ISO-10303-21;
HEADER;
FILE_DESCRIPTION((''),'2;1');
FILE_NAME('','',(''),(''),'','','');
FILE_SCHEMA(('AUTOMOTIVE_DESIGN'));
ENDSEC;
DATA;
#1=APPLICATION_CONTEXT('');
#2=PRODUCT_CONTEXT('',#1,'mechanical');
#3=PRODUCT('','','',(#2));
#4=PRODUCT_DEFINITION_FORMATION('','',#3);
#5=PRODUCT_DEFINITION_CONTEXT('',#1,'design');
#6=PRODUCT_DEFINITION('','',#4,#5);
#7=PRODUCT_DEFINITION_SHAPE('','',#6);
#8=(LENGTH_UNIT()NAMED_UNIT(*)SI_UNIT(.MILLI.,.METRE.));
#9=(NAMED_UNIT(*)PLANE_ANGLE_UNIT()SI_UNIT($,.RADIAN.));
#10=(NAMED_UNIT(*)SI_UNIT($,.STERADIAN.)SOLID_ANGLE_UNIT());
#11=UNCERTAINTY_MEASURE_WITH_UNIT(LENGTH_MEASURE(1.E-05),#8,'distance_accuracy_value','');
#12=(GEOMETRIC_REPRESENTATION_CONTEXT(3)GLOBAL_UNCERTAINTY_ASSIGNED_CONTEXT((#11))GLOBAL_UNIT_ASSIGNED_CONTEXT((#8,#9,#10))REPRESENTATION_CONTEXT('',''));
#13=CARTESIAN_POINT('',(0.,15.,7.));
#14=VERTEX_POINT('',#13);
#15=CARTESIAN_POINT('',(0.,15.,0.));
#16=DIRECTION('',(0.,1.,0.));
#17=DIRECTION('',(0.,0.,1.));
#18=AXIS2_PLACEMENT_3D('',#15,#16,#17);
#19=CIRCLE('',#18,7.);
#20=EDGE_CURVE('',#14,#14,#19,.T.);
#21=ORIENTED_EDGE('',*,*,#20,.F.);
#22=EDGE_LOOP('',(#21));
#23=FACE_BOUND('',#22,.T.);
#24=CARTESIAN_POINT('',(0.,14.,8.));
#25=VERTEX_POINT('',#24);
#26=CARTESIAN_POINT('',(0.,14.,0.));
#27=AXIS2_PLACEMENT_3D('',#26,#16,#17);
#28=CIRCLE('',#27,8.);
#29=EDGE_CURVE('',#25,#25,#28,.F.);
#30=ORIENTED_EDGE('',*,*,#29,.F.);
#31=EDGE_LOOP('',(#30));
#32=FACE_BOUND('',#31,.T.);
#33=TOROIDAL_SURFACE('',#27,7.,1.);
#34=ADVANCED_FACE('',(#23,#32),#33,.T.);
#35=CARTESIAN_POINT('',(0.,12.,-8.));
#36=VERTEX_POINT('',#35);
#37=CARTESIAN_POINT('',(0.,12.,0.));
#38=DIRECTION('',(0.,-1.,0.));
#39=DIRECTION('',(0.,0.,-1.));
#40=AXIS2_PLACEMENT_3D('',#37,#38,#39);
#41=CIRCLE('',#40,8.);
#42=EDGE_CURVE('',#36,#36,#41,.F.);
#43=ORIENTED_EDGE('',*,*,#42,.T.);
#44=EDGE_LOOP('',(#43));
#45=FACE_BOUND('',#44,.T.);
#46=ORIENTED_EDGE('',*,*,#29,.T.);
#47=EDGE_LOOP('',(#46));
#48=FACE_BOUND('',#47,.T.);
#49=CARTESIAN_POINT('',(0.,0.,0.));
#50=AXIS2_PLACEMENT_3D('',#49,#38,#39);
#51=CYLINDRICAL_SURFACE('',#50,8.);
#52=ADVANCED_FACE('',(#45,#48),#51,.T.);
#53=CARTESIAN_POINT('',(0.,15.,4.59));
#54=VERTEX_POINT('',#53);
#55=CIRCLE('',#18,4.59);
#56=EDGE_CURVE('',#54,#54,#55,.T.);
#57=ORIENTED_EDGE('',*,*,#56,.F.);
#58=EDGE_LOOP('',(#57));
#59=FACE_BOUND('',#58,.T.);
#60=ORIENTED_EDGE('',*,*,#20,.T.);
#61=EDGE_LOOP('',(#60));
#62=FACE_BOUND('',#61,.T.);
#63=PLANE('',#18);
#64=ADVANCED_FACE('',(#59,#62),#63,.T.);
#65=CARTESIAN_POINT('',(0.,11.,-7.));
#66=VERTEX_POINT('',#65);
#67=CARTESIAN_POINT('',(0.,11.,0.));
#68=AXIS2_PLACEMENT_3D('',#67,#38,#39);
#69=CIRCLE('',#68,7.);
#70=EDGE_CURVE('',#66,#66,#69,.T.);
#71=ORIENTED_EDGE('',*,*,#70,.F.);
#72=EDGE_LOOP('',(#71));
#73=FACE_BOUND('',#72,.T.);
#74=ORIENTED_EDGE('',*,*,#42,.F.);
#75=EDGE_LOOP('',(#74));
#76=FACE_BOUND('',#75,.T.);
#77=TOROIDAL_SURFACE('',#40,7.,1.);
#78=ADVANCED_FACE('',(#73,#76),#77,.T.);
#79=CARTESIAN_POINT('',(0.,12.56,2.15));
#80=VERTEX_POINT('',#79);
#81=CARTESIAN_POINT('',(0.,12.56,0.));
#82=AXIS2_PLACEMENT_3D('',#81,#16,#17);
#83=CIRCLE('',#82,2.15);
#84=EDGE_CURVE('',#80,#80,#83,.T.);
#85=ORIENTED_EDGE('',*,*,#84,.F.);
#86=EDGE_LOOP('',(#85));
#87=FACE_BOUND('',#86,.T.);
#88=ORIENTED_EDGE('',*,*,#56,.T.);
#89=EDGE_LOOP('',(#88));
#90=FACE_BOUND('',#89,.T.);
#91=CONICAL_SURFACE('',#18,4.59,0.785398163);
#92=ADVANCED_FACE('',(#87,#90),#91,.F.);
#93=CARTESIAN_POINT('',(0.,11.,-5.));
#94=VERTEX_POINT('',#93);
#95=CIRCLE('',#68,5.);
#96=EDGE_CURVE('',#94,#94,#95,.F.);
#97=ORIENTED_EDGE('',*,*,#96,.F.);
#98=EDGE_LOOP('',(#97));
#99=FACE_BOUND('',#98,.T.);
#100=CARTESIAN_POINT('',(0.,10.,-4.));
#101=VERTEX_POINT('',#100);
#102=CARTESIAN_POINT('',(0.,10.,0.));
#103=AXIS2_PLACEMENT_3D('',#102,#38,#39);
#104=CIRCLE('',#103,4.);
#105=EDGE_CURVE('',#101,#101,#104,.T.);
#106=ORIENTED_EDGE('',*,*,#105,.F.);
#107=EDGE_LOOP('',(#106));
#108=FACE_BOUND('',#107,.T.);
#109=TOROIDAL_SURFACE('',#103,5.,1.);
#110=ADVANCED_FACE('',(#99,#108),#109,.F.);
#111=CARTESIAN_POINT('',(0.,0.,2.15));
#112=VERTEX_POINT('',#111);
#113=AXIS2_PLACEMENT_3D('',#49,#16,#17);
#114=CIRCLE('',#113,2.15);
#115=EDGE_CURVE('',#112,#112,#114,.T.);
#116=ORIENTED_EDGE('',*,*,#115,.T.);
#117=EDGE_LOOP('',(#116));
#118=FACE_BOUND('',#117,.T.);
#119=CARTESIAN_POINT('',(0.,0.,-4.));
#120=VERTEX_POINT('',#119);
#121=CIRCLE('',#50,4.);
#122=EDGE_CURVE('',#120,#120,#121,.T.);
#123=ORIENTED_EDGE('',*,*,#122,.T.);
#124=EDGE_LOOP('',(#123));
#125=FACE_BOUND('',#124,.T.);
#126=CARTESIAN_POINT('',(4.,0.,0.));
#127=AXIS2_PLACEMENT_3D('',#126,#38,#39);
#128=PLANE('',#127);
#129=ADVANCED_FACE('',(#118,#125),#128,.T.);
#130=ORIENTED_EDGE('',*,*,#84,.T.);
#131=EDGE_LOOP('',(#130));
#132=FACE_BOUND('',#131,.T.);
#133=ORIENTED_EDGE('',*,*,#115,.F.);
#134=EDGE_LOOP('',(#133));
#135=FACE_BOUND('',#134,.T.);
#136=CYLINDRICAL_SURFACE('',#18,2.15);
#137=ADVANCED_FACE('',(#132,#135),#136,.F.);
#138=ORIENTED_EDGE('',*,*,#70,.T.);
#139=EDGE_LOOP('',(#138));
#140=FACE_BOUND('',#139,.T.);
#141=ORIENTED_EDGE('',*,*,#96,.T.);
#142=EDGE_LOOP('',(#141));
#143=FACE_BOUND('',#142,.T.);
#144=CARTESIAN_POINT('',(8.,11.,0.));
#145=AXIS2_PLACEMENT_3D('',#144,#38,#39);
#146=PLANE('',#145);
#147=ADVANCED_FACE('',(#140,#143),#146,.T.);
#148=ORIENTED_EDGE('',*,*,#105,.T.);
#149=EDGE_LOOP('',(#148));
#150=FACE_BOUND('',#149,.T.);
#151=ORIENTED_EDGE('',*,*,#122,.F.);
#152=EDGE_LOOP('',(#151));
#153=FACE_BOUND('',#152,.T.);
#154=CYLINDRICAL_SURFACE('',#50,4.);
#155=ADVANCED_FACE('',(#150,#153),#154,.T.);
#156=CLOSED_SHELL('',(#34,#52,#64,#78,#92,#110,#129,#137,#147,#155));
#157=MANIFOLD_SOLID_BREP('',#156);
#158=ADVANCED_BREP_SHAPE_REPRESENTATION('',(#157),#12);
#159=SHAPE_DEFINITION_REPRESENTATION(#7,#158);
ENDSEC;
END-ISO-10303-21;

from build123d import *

# Parameters (mm, degrees)
REDONDEO1_R                                          = 1
AVELLANADO_PARA_TORNILLO_CON_CABEZA_AVEL_D           = 4.3
AVELLANADO_PARA_TORNILLO_CON_CABEZA_AVEL_CSINK_D     = 9.18
AVELLANADO_PARA_TORNILLO_CON_CABEZA_AVEL_CSINK_ANGLE = 90


with BuildPart() as part:
    # Croquis1 → Revolución1 (revolve)
    with BuildSketch(Plane.XY, mode=Mode.PRIVATE) as revoluci_n1_sk:
        Polygon((0, 15), (8, 15), (8, 11), (4, 11), (4, 0), (0, 0), align=None)
    revolve(revoluci_n1_sk.sketch.rotate(Axis((0, 0, 0), (0, 1, 0)), 90), axis=Axis((0, 0, 0), (0, 1, 0)))

    # Redondeo1
    redondeo1_edges = [part.edges().sort_by_distance(p)[0] for p in [
        (0, 11, 4),
        (0, 11, 8),
        (0, 15, 8),
    ]]
    fillet(redondeo1_edges, radius=REDONDEO1_R)

    # Avellanado para tornillo con cabeza avellanada de clavija hexagonal de M41 (through all)
    with Locations(Plane(origin=(0, 15, 0), x_dir=(1, 0, 0), z_dir=(0, 1, 0))):
        with Locations((0, 0)):
            CounterSinkHole(AVELLANADO_PARA_TORNILLO_CON_CABEZA_AVEL_D / 2, AVELLANADO_PARA_TORNILLO_CON_CABEZA_AVEL_CSINK_D / 2, counter_sink_angle=AVELLANADO_PARA_TORNILLO_CON_CABEZA_AVEL_CSINK_ANGLE)


solid = part.part
